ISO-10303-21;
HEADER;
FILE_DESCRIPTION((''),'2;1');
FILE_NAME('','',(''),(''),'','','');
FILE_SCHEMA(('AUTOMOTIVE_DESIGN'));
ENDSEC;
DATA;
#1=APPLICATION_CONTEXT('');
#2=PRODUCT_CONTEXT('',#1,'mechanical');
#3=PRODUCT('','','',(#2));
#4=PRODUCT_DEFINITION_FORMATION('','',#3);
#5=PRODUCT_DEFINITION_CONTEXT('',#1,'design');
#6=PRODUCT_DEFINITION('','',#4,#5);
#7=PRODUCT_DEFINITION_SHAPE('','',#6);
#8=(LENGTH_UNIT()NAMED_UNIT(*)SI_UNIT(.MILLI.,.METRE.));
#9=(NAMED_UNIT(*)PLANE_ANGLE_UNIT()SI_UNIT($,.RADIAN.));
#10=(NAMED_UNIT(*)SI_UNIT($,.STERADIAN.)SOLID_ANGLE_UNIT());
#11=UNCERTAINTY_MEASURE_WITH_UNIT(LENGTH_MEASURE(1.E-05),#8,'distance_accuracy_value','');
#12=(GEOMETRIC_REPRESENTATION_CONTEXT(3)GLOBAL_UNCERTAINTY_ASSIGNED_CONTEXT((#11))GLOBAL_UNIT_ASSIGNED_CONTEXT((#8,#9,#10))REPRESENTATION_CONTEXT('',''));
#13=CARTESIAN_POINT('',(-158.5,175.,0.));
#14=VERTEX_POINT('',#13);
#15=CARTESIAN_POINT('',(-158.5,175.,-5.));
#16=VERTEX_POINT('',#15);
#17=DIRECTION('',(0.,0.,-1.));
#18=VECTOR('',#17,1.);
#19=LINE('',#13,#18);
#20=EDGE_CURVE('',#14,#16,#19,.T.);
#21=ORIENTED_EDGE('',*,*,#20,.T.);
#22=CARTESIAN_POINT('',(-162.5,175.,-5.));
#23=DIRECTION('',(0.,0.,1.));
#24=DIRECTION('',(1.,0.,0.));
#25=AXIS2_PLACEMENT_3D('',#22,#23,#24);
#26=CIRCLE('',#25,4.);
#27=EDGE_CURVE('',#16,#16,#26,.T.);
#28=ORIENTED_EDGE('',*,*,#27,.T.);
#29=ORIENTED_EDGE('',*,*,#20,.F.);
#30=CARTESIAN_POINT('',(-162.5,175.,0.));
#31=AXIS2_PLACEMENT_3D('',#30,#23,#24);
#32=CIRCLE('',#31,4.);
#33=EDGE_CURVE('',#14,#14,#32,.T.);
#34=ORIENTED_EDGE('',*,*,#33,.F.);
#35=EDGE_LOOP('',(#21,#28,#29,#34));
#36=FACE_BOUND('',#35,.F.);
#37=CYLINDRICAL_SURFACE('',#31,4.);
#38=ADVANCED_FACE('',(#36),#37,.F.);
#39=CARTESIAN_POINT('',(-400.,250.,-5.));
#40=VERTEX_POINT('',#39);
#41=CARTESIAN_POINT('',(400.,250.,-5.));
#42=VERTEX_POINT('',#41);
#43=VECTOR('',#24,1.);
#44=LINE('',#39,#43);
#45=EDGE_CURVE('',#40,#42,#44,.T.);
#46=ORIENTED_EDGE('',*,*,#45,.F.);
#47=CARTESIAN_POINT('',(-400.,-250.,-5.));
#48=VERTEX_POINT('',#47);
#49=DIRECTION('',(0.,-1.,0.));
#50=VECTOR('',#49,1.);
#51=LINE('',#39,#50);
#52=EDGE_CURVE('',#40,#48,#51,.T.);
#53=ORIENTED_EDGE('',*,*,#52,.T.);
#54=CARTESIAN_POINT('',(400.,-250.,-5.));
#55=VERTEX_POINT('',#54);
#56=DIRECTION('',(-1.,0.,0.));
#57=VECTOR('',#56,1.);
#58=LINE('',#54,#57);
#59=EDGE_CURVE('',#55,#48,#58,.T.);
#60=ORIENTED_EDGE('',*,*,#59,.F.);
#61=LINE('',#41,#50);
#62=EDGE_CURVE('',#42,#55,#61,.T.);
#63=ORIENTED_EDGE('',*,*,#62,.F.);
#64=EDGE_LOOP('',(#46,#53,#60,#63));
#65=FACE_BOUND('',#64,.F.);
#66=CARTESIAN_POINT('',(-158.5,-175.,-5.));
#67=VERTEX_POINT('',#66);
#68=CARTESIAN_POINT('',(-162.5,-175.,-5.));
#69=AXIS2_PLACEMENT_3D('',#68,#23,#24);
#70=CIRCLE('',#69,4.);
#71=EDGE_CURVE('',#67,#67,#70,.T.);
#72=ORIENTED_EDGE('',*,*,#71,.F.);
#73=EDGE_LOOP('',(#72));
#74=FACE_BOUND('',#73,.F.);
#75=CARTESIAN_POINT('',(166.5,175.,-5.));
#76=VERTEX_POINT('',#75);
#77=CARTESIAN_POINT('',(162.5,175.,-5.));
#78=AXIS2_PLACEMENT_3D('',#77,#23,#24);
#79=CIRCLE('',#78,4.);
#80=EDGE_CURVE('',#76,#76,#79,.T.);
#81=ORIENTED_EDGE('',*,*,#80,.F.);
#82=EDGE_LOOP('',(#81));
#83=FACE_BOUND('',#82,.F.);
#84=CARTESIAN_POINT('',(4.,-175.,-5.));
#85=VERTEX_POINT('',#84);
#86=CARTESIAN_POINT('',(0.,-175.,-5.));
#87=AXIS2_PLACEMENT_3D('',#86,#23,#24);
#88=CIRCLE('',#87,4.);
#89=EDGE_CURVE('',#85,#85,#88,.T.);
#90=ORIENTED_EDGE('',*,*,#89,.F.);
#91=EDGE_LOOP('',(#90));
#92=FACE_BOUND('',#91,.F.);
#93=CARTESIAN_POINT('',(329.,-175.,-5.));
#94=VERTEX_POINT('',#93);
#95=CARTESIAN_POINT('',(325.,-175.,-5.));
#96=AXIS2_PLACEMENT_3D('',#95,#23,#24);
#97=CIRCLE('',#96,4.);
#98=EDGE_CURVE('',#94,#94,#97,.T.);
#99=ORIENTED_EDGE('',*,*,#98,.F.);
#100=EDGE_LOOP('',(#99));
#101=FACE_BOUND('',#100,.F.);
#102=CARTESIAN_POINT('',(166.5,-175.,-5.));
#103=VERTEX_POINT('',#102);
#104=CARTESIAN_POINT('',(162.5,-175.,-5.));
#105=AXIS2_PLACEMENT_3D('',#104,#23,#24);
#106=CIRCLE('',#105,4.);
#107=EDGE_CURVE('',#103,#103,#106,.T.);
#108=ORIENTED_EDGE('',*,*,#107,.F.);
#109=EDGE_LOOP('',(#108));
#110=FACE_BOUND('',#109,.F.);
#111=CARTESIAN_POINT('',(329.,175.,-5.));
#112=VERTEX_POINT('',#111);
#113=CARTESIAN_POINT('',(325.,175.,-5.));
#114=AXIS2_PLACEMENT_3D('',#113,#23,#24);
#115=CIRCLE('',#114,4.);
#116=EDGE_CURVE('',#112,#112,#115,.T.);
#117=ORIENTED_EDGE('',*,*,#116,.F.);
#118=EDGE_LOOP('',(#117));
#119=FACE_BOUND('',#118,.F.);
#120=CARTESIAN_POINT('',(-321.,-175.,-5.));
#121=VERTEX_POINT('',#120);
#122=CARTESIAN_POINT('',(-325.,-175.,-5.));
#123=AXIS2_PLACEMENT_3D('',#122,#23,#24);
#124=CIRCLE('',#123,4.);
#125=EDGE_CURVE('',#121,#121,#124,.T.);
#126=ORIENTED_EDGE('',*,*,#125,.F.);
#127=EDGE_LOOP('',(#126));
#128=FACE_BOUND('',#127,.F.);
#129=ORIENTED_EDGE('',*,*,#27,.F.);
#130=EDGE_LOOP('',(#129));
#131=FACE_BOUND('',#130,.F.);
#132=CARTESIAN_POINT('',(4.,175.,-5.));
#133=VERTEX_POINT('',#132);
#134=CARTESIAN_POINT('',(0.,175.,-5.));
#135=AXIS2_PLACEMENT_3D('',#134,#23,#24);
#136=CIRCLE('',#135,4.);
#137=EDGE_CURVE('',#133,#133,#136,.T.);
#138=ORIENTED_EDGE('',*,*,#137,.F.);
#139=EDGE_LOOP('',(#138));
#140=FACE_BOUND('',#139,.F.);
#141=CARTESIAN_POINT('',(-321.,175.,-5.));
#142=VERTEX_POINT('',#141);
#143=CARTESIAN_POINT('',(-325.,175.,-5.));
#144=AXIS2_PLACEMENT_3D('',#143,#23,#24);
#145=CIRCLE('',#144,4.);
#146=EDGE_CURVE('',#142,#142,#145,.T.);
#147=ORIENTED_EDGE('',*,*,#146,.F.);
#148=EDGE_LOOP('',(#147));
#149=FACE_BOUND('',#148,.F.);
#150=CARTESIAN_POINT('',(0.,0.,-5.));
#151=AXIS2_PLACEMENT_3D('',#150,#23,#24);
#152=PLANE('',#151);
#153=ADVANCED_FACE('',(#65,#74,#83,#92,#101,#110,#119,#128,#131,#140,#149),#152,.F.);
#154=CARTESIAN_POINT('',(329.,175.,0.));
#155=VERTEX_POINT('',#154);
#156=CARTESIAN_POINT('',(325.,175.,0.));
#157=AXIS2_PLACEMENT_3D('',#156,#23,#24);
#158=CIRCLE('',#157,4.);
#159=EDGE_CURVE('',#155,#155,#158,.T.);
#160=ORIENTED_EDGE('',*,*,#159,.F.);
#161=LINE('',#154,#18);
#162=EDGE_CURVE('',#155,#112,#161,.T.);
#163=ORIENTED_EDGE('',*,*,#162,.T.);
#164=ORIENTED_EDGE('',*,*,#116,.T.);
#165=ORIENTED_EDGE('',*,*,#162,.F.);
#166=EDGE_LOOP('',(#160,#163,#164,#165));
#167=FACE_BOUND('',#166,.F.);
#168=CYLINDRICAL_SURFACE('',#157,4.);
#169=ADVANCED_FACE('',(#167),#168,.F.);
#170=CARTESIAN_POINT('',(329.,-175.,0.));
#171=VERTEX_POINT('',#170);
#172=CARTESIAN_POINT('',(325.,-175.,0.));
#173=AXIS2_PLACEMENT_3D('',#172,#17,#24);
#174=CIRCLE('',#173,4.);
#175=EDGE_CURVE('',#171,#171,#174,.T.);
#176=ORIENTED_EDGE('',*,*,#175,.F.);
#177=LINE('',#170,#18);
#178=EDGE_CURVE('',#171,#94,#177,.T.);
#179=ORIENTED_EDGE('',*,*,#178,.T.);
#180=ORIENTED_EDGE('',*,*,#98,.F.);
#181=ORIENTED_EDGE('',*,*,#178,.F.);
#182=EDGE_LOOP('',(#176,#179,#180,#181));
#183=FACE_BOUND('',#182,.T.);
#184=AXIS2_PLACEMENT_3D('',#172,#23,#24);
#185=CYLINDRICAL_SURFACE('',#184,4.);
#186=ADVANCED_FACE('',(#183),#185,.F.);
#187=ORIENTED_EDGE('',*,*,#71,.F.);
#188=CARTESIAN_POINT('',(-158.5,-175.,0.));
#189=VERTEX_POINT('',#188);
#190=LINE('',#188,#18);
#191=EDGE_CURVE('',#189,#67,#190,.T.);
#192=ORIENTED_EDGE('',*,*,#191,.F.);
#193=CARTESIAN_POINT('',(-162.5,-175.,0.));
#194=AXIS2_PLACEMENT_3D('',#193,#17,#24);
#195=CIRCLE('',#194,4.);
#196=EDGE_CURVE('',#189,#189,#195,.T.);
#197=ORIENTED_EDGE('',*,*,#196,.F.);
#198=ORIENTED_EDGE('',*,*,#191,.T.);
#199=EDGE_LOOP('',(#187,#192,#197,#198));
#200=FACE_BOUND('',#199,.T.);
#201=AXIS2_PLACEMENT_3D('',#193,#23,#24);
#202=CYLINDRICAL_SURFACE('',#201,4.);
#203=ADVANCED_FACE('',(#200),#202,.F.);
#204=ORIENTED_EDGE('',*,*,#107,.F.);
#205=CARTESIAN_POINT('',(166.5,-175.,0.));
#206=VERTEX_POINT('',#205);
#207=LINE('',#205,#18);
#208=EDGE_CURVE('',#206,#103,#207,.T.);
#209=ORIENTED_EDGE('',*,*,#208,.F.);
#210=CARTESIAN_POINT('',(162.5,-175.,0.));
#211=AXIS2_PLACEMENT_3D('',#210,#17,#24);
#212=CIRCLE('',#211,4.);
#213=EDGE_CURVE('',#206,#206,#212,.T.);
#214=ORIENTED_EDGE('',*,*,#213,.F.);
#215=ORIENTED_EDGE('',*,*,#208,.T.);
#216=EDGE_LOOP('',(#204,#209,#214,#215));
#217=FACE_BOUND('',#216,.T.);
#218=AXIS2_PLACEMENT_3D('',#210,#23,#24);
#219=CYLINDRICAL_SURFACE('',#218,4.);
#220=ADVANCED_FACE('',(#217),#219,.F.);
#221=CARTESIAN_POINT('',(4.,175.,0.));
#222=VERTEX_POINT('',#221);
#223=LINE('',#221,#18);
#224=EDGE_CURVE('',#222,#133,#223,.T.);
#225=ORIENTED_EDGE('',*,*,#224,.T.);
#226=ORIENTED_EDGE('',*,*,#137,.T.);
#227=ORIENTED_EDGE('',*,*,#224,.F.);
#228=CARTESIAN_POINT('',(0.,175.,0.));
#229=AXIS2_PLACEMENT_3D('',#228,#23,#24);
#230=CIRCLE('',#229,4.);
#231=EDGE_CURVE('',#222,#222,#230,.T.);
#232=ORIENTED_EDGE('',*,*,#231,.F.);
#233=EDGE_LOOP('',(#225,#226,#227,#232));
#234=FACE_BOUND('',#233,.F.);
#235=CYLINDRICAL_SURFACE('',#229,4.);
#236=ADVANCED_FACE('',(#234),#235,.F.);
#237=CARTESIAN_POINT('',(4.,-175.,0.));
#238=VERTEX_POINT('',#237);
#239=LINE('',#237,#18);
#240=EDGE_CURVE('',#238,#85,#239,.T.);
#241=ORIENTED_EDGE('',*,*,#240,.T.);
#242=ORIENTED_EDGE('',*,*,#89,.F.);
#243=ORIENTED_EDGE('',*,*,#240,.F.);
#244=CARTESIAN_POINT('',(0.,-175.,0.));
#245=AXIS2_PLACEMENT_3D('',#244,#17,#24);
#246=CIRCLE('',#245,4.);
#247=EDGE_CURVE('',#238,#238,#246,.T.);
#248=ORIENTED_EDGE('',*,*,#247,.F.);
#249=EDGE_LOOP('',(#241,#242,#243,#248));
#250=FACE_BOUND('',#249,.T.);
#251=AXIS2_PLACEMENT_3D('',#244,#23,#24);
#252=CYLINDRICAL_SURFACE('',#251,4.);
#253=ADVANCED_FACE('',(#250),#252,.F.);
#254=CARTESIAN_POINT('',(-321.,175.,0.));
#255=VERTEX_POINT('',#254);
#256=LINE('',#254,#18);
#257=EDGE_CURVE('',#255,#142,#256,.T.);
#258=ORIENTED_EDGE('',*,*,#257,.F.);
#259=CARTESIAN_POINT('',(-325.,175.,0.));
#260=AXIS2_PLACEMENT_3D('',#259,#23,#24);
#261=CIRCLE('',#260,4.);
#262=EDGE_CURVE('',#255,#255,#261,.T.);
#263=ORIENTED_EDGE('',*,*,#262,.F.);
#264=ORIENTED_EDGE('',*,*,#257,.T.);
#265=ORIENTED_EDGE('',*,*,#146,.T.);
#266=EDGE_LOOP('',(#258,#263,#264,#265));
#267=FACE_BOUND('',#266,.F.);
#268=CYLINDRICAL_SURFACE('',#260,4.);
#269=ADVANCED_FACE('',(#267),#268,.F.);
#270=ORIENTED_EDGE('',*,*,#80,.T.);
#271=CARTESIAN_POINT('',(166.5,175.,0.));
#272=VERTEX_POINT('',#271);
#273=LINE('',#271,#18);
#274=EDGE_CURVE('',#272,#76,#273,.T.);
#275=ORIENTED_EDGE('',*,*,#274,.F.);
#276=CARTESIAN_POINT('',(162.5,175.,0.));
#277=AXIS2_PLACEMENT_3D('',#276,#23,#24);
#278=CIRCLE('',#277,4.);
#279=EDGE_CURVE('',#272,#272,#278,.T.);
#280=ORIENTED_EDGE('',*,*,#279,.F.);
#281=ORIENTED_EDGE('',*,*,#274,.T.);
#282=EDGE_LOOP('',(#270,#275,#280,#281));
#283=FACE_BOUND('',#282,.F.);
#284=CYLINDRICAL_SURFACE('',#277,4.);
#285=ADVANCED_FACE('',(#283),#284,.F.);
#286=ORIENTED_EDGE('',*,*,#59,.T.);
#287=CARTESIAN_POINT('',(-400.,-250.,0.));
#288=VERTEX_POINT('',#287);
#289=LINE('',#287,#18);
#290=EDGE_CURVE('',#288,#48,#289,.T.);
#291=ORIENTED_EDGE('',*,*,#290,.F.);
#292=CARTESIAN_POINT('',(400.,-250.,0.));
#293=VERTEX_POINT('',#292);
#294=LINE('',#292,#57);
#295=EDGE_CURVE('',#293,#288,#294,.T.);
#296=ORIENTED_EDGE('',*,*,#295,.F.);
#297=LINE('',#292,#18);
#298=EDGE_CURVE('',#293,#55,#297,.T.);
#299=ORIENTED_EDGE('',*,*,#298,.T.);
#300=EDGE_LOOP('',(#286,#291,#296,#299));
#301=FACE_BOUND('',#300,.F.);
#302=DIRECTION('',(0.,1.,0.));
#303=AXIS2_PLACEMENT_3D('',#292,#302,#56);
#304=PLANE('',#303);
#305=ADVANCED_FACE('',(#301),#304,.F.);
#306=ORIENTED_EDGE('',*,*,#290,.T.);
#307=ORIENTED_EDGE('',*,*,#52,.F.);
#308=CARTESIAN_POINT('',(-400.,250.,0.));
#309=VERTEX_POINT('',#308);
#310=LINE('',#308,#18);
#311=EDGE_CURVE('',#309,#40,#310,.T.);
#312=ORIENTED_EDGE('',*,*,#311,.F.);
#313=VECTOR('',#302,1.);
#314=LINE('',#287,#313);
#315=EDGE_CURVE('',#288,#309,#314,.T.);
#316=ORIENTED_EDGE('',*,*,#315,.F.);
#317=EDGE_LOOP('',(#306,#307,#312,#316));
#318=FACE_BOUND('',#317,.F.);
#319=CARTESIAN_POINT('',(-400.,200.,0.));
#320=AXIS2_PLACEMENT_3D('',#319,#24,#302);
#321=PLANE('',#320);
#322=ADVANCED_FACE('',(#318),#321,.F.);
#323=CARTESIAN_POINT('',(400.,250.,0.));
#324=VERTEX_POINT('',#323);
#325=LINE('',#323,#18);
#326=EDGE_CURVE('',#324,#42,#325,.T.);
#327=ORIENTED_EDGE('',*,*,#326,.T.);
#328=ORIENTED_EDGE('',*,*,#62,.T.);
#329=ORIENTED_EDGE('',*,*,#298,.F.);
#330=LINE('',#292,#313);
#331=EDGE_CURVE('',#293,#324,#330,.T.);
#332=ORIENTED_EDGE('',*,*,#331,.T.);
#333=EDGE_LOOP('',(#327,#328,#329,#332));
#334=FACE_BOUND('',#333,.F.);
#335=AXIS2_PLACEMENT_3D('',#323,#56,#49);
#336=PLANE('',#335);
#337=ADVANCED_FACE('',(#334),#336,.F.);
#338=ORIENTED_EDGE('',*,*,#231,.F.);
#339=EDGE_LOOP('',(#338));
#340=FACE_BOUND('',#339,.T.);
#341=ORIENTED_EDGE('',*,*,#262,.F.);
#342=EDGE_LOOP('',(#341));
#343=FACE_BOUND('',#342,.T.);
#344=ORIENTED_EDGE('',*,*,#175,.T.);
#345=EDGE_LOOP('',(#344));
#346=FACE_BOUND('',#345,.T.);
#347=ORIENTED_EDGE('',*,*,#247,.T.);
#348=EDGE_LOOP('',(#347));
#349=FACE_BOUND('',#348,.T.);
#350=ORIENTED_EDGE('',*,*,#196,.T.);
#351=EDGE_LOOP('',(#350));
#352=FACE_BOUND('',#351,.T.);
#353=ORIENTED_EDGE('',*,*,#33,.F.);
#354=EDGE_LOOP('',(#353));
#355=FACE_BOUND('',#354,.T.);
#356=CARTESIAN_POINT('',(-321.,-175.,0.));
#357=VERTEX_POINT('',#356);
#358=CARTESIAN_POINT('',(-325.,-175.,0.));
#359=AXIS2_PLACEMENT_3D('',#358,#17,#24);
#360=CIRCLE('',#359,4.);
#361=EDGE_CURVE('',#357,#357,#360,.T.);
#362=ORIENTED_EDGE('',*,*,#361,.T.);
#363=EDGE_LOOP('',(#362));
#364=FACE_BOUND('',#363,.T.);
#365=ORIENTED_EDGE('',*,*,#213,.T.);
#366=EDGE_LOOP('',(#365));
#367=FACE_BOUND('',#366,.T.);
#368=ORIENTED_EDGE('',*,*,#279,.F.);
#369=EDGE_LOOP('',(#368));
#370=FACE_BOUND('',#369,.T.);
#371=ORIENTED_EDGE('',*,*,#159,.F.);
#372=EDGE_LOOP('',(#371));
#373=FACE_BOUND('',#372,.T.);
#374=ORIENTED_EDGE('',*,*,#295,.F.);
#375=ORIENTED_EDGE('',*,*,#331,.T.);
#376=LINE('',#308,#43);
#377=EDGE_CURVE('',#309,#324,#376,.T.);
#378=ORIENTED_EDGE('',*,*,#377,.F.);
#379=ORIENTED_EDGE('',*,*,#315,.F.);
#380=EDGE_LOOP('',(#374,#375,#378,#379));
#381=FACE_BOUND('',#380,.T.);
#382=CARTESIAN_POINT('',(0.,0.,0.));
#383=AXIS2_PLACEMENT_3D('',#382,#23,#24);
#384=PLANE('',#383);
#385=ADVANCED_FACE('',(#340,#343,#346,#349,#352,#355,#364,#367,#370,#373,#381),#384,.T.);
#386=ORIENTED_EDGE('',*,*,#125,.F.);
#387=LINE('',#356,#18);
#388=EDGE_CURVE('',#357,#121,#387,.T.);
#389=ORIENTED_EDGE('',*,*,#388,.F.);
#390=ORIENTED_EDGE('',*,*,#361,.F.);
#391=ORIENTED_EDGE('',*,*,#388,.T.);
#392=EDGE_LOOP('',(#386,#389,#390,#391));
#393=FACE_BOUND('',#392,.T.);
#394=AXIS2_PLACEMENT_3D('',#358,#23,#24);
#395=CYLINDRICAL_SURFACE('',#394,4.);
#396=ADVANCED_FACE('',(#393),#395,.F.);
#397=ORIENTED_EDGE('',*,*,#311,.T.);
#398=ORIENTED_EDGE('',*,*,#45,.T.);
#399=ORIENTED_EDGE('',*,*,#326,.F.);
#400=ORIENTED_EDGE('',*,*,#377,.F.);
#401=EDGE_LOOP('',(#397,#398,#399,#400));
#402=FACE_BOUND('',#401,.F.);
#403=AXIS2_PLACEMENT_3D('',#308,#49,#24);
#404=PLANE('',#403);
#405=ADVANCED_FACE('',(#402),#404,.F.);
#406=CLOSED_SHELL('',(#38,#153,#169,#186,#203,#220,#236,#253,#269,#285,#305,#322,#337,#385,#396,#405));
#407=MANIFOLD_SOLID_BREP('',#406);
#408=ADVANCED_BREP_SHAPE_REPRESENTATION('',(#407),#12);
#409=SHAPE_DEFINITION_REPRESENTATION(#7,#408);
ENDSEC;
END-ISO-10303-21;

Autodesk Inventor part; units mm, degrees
ref_plane "YZ Plane" through (0, 0, 0) normal (1, 0, 0) x (0, 1, 0)
ref_plane "XZ Plane" through (0, 0, 0) normal (0, 1, 0) x (-1, 0, 0)
ref_plane "XY Plane" through (0, 0, 0) normal (0, 0, 1) x (1, 0, 0)
sketch "base_layout_sketch" plane through (0, 0, 0) normal (0, 0, 1) x (1, 0, 0)
  line L0 (-400, 200) -> (400, 200)
  line L1 (400, 200) -> (400, -200)
  line L2 (400, -200) -> (-400, -200)
  line L3 (-400, -200) -> (-400, 200)
  line L4 (0, 200) -> (0, -200) construction
  line L5 (-400, 150) -> (400, 150)
  line L6 (400, 150) -> (400, -150)
  line L7 (400, -150) -> (-400, -150)
  line L8 (-400, -150) -> (-400, 150)
  line L9 (0, 150) -> (0, -150) construction
  line L10 (-400, 250) -> (400, 250)
  line L11 (400, 250) -> (400, -250)
  line L12 (400, -250) -> (-400, -250)
  line L13 (-400, -250) -> (-400, 250)
  line L14 (0, 250) -> (0, -250) construction
  point P0 (0, 0)
  point P1 (0, 0)
  dimension "d0" = 400
  dimension "d1" = 800
  dimension "d2" = 300
  dimension "d4" = 500
sketch "bolt_holes_sketch" plane through (0, 0, 0) normal (0, 0, 1) x (1, 0, 0)
  circle A0 centre (-325, 175) radius 4
  line L0 (-400, 250) -> (400, 250) projected
  line L1 (-400, -250) -> (-400, 250) projected
  line L2 (-560, 0) -> (560, 0) projected
  point P0 (0, 0)
  dimension "d3" = 8
  dimension "d6" = 75
  dimension "d21" = 175
extrude "sheet_visualisation" add sketch "base_layout_sketch" against normal blind 5
extrude "bolt_holes Cut" cut sketch "bolt_holes_sketch" against normal through all
pattern_linear "bolt_holes_upper Pattern" count 5 spacing 162.5 along (1, 0, 0) of "bolt_holes Cut"
mirror "bolt_holes Mirror" about plane through (0, 0, 0) normal (0, 1, 0) of "bolt_holes Cut", "bolt_holes_upper Pattern"
equation "\"d0\" = layer_width"
equation "\"d1\" = track_length"
equation "\"d2\" = coil_width"
equation "\"d4\" = real_sheet_width"
equation "\"d3\" = bolt_diameter"
equation "\"d6\" = x_offset_for_bolts"
equation "\"d21\" = y_offset_for_bolts"
equation "\"d14\" = sheet_thickness"
equation "\"track_length\" = 800"
equation "\"layer_width\" = 400"
equation "\"coil_width\" = 300"
equation "\"bolt_diameter\" = 8"
equation "\"real_sheet_width\" = 500"
equation "\"x_offset_for_bolts\" = 75"
equation "\"y_offset_for_bolts\" = 175"
equation "\"sheet_thickness\" = 5"
properties part number "bolt_holes_for_all"
